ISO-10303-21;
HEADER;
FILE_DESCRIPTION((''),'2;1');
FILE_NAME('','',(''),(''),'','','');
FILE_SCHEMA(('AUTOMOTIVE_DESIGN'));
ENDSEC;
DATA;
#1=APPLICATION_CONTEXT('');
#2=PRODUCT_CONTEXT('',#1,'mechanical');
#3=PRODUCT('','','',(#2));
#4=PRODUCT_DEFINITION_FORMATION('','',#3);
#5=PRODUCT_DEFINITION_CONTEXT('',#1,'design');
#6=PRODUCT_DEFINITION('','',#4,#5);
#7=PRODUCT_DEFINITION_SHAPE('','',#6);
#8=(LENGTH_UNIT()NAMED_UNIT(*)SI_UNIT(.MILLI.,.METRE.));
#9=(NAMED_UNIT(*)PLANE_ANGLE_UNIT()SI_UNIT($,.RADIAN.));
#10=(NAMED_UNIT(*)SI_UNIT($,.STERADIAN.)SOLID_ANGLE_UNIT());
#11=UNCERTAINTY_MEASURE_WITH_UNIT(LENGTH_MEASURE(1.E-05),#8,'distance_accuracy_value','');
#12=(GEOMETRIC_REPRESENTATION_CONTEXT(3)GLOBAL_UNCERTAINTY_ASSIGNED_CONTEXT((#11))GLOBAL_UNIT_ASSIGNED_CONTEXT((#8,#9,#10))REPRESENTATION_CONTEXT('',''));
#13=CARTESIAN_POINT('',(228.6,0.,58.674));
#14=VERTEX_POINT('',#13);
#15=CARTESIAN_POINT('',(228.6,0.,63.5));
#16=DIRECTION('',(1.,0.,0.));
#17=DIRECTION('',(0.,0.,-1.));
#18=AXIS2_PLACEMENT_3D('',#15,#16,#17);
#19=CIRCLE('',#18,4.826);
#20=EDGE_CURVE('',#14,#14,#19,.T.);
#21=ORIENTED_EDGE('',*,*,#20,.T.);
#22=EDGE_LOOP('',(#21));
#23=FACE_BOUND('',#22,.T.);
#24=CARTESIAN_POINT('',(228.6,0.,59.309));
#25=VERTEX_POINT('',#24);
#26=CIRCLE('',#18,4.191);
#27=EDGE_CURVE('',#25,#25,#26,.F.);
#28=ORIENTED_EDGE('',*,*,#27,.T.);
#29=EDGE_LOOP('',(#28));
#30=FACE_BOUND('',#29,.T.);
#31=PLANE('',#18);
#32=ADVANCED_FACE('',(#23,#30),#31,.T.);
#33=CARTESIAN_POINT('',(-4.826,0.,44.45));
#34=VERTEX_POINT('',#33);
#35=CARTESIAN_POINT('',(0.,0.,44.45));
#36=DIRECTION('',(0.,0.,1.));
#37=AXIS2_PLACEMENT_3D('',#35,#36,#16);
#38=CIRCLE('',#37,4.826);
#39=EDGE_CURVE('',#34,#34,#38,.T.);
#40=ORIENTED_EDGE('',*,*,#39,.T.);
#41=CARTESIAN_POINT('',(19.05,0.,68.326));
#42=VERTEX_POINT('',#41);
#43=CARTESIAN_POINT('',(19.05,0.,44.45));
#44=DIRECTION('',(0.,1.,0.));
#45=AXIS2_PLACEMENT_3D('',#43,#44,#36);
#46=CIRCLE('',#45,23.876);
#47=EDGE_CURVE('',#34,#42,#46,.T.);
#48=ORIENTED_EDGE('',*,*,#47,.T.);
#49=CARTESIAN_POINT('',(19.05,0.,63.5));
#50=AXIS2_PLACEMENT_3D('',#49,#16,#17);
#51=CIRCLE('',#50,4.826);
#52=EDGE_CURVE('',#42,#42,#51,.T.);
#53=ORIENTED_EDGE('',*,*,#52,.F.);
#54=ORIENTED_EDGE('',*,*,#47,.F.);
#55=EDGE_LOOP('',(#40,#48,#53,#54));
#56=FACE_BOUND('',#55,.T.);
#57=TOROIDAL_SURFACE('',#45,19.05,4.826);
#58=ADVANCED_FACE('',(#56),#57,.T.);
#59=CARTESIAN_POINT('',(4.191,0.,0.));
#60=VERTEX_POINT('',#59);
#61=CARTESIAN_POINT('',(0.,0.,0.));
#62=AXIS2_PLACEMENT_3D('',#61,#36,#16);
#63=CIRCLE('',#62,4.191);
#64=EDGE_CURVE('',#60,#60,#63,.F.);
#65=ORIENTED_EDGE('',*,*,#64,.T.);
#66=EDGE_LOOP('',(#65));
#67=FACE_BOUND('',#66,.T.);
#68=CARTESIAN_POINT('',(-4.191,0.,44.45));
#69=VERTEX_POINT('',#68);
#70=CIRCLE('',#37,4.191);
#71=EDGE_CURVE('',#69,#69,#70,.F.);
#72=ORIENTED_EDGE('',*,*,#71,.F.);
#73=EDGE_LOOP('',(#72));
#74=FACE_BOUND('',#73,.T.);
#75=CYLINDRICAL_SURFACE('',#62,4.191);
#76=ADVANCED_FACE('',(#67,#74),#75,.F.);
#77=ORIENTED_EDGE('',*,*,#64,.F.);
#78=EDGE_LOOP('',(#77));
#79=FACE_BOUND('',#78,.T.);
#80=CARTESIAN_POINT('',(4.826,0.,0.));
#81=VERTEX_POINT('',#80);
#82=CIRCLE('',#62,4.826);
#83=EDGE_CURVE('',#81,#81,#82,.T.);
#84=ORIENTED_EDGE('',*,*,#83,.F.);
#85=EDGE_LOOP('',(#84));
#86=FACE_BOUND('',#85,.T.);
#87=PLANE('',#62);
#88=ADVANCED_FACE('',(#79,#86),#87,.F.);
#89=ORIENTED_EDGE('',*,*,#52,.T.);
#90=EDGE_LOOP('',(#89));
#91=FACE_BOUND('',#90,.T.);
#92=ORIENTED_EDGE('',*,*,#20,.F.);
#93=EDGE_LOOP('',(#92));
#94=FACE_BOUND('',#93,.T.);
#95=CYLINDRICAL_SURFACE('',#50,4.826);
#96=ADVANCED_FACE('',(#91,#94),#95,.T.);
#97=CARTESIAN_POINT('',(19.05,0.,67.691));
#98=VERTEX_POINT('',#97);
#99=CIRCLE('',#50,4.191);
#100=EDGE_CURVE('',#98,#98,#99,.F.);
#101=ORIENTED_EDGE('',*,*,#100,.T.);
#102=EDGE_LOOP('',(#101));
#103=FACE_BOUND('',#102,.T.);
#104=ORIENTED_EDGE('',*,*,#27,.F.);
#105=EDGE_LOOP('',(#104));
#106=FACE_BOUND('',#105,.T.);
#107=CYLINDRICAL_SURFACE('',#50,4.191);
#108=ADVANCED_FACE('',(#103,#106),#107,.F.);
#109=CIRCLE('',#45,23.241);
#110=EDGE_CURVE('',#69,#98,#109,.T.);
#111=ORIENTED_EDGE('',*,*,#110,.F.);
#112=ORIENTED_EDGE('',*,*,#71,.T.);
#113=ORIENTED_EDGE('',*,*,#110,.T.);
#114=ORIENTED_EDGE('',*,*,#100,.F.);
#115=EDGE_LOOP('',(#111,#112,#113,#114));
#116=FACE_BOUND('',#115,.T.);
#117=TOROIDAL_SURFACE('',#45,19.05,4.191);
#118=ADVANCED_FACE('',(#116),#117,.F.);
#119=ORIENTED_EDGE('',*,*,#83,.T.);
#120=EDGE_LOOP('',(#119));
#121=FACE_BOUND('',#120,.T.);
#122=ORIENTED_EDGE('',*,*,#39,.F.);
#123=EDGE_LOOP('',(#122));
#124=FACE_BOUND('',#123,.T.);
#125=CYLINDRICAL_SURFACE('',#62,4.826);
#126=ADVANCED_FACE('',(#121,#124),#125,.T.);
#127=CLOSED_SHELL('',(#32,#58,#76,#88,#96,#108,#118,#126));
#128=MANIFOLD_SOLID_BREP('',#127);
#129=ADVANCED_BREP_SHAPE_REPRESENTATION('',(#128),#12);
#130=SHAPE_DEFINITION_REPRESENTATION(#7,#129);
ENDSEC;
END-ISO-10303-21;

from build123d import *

# Parameters (mm, degrees)
SKETCH1_R   = 4.826
SKETCH1_R_2 = 4.191


with BuildPart() as part:
    # Sweep1: sweep along a curve in space
    with BuildLine() as sweep1_path:
        Line((0, 0, 0), (0, 0, 44.45))
        ThreePointArc((0, 0, 44.45), (5.579615818, 0, 57.920384182), (19.05, 0, 63.5))
        Line((19.05, 0, 63.5), (228.6, 0, 63.5))
    # Sketch1 → Sweep1 (sweep)
    with BuildSketch(Plane.XY):
        Circle(SKETCH1_R)
        Circle(SKETCH1_R_2, mode=Mode.SUBTRACT)
    sweep(path=sweep1_path.line)


solid = part.part
